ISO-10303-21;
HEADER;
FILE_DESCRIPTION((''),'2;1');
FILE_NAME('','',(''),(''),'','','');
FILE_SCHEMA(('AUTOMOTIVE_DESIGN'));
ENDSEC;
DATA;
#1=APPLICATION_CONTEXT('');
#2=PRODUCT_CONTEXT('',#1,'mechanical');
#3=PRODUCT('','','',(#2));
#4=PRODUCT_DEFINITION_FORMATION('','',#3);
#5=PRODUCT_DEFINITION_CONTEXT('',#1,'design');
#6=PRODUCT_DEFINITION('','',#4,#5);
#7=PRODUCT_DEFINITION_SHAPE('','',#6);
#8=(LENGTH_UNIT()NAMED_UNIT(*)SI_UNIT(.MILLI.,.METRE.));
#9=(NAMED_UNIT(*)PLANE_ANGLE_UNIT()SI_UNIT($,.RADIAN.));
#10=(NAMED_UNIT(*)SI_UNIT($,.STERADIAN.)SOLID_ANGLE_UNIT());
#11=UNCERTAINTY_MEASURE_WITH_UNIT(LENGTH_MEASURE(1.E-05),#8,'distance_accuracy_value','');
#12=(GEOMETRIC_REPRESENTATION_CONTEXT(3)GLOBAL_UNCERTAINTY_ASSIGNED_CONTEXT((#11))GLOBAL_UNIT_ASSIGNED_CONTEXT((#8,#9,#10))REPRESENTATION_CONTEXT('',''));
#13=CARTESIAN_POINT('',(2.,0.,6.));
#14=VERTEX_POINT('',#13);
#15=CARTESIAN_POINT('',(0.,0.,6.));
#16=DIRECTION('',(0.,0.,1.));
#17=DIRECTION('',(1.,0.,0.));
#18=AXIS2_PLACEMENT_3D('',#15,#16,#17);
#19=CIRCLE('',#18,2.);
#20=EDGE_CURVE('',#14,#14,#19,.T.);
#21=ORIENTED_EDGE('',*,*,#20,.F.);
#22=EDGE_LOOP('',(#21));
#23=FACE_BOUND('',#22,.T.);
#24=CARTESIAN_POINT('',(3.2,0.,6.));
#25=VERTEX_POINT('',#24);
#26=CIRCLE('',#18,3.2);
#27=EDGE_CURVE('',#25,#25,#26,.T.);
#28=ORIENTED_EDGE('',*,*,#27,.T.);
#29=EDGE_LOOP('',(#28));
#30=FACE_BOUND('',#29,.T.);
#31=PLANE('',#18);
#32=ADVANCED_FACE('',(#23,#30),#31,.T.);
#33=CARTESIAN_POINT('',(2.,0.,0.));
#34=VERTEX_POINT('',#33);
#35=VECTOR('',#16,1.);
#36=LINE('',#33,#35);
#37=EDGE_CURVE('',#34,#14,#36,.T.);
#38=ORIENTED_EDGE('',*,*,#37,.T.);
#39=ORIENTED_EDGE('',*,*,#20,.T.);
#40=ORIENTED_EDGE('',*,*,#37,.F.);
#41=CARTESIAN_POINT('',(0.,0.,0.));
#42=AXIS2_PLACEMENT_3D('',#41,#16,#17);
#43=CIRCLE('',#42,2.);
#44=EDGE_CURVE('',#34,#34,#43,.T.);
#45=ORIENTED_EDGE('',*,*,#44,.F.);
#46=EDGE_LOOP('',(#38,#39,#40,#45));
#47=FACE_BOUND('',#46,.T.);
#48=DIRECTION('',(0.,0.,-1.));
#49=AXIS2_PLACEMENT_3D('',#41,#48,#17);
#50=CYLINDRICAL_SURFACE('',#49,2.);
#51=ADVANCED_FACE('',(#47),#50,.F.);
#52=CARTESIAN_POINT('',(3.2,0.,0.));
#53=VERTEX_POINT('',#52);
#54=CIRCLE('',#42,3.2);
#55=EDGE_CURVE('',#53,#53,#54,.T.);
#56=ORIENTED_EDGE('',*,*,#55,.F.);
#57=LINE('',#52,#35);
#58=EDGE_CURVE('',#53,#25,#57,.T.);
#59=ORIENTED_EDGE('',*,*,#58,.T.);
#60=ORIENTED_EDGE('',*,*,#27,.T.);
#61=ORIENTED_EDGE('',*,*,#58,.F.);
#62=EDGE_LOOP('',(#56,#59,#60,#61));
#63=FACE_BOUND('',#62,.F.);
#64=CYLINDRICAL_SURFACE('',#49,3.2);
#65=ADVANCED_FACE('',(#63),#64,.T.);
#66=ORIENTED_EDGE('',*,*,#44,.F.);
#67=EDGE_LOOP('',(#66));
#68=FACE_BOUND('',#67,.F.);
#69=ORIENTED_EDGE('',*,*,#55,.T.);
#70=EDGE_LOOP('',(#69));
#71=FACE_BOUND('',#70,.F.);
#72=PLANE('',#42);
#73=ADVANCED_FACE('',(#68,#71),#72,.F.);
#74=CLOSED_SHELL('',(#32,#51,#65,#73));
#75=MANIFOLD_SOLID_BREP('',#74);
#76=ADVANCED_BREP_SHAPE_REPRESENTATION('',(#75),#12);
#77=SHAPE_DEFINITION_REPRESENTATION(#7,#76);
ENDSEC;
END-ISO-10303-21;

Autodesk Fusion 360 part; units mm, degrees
sketch "Sketch1" plane through (0, 0, 0) normal (0, 0, 1) x (1, 0, 0)
  circle A0 centre (0, 0) radius 3.2
  circle A1 centre (0, 0) radius 2
  dimension "d1" = 6.4
  dimension "d2" = 4
extrude "Extrude1" add sketch "Sketch1" along normal blind 6
